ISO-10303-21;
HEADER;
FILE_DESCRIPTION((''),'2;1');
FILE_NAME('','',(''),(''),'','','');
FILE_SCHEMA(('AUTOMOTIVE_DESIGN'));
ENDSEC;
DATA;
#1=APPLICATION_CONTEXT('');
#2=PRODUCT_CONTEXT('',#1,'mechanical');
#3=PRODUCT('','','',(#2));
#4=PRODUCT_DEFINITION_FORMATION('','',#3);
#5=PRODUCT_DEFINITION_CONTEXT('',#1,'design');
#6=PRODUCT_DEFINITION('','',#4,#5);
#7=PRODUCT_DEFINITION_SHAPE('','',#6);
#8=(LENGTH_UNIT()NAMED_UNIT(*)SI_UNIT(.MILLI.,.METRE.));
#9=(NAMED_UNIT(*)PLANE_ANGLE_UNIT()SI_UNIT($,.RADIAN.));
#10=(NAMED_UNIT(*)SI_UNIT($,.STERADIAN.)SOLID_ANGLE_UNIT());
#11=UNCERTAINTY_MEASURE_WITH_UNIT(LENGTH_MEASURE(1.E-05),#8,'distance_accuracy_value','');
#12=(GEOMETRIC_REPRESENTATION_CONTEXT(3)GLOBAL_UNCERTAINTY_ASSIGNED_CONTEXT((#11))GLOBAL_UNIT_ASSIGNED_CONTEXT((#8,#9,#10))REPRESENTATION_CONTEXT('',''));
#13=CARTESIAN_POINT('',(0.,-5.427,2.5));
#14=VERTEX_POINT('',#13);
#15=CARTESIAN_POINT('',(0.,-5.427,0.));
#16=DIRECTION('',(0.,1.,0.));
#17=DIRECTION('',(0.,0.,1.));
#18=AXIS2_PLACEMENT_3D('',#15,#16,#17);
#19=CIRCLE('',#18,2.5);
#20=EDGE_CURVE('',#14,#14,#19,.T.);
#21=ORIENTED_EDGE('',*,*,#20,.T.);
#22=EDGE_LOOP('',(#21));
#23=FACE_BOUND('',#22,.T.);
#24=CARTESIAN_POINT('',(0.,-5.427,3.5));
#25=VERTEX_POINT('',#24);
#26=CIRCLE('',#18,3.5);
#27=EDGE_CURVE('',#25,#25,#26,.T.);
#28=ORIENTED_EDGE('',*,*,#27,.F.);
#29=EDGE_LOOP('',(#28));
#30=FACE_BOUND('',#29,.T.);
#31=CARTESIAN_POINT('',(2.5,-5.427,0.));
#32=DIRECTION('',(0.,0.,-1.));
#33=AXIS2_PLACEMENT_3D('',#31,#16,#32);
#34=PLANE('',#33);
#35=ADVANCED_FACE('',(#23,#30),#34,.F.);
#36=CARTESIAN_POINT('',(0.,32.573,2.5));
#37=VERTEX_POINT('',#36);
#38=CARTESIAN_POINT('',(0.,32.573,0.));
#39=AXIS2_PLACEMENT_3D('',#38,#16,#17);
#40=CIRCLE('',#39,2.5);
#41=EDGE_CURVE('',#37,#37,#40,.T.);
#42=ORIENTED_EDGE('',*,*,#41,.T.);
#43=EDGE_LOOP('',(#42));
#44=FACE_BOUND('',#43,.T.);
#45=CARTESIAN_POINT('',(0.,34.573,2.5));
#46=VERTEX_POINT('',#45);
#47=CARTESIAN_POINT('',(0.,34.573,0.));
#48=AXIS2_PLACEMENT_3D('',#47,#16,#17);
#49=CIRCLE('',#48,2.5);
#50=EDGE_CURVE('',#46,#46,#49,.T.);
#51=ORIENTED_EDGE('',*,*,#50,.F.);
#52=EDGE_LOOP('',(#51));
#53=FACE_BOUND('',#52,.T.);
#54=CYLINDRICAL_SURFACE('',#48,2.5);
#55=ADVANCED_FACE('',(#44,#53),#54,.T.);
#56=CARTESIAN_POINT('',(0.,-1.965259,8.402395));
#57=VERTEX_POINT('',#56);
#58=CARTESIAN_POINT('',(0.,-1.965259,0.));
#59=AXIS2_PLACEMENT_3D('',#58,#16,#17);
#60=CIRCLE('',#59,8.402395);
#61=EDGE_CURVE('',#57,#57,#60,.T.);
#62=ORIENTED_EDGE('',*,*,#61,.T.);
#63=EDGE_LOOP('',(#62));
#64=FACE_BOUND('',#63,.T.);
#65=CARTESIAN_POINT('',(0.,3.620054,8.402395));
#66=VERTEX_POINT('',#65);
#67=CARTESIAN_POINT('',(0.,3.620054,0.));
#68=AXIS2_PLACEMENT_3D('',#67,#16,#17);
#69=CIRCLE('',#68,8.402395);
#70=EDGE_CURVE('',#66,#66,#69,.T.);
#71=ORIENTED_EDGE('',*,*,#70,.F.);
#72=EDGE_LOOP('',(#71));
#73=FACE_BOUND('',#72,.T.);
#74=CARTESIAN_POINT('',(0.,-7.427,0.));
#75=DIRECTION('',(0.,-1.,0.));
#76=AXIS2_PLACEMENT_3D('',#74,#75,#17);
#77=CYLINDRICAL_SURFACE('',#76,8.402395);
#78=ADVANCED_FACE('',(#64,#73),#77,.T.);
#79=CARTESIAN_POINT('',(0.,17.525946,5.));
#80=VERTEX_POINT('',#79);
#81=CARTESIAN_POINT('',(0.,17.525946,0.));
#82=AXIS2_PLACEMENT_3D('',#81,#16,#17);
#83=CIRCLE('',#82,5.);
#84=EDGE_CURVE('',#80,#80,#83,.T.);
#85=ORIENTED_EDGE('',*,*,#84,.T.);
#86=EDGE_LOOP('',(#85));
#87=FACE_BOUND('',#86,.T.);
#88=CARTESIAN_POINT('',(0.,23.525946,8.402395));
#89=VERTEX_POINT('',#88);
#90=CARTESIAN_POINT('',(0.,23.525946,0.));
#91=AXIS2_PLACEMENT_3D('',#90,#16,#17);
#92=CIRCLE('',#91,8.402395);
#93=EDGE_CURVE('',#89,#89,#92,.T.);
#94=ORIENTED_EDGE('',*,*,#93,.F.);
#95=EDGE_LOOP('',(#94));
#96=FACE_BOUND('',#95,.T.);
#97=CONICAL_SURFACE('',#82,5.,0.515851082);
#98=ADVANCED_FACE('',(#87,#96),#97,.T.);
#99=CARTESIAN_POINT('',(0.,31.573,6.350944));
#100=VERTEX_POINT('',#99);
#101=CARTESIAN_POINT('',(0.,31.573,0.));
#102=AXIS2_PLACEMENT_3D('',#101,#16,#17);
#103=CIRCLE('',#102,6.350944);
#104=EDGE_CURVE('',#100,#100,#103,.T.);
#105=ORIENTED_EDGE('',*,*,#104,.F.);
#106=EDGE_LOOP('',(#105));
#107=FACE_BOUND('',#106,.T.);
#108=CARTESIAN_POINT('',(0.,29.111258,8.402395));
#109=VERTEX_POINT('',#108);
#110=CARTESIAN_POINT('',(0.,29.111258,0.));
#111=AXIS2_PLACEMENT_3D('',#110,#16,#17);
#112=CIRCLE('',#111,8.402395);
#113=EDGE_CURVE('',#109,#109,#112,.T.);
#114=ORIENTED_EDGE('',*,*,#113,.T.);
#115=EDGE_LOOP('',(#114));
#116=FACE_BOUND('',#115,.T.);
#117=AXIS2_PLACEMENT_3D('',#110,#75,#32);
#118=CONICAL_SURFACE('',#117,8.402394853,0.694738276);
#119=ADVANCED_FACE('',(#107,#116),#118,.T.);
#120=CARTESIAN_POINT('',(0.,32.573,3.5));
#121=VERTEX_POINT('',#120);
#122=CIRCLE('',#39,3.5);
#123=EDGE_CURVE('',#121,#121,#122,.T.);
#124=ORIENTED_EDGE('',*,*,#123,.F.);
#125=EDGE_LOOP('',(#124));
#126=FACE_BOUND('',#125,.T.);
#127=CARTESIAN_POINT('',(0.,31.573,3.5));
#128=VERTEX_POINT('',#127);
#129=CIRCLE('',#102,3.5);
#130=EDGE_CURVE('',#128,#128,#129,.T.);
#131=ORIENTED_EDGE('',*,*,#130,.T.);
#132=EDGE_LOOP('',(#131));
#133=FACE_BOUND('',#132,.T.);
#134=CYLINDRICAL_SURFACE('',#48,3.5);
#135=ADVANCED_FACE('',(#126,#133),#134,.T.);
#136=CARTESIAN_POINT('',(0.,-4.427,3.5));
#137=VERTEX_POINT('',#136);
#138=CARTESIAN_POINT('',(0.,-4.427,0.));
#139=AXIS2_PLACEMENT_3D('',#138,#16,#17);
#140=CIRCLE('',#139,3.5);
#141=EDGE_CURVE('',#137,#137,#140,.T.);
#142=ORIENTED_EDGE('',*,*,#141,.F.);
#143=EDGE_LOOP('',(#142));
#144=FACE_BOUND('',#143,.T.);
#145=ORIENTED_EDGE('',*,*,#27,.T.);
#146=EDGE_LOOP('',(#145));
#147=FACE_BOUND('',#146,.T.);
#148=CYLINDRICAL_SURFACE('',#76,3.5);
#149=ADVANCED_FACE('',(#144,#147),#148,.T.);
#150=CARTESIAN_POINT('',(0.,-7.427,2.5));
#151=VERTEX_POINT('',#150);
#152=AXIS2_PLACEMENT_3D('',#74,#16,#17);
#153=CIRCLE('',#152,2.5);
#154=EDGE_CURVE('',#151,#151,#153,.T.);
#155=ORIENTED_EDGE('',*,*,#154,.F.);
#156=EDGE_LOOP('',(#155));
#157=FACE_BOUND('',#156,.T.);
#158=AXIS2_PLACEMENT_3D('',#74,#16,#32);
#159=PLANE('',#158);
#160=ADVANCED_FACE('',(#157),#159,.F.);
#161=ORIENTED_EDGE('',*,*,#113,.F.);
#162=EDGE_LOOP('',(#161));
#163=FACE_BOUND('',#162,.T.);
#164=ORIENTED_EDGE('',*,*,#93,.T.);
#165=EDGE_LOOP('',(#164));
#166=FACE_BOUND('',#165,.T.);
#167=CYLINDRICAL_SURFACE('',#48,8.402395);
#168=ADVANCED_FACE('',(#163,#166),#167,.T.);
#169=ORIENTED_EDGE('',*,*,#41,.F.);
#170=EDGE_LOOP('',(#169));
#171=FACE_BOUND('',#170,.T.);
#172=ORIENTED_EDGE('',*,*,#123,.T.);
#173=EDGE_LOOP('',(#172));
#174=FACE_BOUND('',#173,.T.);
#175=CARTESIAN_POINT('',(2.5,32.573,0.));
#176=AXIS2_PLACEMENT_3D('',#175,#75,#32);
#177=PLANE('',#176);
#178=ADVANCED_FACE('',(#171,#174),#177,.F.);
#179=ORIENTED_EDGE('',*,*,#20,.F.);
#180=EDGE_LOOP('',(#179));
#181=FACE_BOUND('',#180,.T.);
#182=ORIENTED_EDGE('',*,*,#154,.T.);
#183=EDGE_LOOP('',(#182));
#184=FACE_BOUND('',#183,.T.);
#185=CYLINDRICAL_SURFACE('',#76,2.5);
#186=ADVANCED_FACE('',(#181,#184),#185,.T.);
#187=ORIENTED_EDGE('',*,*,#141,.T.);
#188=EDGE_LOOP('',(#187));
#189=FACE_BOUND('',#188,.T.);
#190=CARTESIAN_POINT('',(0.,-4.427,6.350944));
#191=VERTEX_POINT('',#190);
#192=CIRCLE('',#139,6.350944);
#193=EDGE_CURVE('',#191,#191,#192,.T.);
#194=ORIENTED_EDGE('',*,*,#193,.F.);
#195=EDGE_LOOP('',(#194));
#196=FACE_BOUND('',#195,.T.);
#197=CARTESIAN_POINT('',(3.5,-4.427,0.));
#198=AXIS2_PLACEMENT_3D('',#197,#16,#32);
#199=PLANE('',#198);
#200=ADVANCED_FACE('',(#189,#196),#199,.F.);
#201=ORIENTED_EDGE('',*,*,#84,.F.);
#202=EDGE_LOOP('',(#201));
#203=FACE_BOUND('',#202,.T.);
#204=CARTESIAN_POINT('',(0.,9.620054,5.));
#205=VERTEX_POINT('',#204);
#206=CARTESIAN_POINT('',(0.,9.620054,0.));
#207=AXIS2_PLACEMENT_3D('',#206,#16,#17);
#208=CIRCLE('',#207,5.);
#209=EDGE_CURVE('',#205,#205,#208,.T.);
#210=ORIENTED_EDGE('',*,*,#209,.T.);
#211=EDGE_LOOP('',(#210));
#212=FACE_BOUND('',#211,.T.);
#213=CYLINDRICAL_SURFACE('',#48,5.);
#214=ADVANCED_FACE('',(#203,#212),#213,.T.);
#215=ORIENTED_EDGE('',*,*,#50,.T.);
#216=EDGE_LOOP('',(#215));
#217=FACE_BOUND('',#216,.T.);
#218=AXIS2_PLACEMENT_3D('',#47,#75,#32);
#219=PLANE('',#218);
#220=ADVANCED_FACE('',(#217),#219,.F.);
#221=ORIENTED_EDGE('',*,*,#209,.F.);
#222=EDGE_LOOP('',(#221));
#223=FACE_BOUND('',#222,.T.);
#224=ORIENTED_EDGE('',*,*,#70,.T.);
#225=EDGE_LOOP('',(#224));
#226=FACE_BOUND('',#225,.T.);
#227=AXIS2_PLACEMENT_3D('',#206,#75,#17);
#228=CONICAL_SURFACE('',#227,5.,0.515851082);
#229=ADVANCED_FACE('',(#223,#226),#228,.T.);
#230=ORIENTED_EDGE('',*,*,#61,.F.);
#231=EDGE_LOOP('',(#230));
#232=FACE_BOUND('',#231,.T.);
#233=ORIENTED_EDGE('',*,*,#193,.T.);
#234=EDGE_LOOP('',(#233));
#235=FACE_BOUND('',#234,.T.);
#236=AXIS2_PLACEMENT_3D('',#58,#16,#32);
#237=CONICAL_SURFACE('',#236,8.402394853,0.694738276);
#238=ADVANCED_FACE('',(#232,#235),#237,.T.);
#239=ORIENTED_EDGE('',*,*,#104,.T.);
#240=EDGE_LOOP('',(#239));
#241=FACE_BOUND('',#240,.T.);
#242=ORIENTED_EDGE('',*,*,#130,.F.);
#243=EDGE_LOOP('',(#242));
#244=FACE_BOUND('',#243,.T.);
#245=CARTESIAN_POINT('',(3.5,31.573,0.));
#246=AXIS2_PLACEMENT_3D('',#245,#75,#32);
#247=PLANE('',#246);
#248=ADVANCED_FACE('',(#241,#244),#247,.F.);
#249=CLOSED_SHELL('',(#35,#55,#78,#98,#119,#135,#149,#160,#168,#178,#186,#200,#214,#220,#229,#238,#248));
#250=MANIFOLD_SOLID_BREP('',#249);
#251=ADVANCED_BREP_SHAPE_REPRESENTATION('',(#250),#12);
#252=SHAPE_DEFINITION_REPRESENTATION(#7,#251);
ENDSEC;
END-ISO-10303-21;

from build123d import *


with BuildPart() as part:
    # Sketch1 → Revolve1 (revolve)
    with BuildSketch(Plane.XY):
        Polygon((0, 34.572999671), (0, 13.572999671), (5, 13.572999671), (5, 17.52594584), (8.402394853, 23.52594584), (8.402394853, 29.111258282), (6.350943696, 31.572999671), (3.5, 31.572999671), (3.5, 32.572999671), (2.5, 32.572999671), (2.5, 34.572999671), align=None)
    revolve1 = revolve(axis=Axis((0, 34.572999671, 0), (0, -1, 0)))

    # Mirror1: Revolve1 across plane
    add(revolve1.mirror(Plane.ZX.offset(13.572999671)))


solid = part.part
